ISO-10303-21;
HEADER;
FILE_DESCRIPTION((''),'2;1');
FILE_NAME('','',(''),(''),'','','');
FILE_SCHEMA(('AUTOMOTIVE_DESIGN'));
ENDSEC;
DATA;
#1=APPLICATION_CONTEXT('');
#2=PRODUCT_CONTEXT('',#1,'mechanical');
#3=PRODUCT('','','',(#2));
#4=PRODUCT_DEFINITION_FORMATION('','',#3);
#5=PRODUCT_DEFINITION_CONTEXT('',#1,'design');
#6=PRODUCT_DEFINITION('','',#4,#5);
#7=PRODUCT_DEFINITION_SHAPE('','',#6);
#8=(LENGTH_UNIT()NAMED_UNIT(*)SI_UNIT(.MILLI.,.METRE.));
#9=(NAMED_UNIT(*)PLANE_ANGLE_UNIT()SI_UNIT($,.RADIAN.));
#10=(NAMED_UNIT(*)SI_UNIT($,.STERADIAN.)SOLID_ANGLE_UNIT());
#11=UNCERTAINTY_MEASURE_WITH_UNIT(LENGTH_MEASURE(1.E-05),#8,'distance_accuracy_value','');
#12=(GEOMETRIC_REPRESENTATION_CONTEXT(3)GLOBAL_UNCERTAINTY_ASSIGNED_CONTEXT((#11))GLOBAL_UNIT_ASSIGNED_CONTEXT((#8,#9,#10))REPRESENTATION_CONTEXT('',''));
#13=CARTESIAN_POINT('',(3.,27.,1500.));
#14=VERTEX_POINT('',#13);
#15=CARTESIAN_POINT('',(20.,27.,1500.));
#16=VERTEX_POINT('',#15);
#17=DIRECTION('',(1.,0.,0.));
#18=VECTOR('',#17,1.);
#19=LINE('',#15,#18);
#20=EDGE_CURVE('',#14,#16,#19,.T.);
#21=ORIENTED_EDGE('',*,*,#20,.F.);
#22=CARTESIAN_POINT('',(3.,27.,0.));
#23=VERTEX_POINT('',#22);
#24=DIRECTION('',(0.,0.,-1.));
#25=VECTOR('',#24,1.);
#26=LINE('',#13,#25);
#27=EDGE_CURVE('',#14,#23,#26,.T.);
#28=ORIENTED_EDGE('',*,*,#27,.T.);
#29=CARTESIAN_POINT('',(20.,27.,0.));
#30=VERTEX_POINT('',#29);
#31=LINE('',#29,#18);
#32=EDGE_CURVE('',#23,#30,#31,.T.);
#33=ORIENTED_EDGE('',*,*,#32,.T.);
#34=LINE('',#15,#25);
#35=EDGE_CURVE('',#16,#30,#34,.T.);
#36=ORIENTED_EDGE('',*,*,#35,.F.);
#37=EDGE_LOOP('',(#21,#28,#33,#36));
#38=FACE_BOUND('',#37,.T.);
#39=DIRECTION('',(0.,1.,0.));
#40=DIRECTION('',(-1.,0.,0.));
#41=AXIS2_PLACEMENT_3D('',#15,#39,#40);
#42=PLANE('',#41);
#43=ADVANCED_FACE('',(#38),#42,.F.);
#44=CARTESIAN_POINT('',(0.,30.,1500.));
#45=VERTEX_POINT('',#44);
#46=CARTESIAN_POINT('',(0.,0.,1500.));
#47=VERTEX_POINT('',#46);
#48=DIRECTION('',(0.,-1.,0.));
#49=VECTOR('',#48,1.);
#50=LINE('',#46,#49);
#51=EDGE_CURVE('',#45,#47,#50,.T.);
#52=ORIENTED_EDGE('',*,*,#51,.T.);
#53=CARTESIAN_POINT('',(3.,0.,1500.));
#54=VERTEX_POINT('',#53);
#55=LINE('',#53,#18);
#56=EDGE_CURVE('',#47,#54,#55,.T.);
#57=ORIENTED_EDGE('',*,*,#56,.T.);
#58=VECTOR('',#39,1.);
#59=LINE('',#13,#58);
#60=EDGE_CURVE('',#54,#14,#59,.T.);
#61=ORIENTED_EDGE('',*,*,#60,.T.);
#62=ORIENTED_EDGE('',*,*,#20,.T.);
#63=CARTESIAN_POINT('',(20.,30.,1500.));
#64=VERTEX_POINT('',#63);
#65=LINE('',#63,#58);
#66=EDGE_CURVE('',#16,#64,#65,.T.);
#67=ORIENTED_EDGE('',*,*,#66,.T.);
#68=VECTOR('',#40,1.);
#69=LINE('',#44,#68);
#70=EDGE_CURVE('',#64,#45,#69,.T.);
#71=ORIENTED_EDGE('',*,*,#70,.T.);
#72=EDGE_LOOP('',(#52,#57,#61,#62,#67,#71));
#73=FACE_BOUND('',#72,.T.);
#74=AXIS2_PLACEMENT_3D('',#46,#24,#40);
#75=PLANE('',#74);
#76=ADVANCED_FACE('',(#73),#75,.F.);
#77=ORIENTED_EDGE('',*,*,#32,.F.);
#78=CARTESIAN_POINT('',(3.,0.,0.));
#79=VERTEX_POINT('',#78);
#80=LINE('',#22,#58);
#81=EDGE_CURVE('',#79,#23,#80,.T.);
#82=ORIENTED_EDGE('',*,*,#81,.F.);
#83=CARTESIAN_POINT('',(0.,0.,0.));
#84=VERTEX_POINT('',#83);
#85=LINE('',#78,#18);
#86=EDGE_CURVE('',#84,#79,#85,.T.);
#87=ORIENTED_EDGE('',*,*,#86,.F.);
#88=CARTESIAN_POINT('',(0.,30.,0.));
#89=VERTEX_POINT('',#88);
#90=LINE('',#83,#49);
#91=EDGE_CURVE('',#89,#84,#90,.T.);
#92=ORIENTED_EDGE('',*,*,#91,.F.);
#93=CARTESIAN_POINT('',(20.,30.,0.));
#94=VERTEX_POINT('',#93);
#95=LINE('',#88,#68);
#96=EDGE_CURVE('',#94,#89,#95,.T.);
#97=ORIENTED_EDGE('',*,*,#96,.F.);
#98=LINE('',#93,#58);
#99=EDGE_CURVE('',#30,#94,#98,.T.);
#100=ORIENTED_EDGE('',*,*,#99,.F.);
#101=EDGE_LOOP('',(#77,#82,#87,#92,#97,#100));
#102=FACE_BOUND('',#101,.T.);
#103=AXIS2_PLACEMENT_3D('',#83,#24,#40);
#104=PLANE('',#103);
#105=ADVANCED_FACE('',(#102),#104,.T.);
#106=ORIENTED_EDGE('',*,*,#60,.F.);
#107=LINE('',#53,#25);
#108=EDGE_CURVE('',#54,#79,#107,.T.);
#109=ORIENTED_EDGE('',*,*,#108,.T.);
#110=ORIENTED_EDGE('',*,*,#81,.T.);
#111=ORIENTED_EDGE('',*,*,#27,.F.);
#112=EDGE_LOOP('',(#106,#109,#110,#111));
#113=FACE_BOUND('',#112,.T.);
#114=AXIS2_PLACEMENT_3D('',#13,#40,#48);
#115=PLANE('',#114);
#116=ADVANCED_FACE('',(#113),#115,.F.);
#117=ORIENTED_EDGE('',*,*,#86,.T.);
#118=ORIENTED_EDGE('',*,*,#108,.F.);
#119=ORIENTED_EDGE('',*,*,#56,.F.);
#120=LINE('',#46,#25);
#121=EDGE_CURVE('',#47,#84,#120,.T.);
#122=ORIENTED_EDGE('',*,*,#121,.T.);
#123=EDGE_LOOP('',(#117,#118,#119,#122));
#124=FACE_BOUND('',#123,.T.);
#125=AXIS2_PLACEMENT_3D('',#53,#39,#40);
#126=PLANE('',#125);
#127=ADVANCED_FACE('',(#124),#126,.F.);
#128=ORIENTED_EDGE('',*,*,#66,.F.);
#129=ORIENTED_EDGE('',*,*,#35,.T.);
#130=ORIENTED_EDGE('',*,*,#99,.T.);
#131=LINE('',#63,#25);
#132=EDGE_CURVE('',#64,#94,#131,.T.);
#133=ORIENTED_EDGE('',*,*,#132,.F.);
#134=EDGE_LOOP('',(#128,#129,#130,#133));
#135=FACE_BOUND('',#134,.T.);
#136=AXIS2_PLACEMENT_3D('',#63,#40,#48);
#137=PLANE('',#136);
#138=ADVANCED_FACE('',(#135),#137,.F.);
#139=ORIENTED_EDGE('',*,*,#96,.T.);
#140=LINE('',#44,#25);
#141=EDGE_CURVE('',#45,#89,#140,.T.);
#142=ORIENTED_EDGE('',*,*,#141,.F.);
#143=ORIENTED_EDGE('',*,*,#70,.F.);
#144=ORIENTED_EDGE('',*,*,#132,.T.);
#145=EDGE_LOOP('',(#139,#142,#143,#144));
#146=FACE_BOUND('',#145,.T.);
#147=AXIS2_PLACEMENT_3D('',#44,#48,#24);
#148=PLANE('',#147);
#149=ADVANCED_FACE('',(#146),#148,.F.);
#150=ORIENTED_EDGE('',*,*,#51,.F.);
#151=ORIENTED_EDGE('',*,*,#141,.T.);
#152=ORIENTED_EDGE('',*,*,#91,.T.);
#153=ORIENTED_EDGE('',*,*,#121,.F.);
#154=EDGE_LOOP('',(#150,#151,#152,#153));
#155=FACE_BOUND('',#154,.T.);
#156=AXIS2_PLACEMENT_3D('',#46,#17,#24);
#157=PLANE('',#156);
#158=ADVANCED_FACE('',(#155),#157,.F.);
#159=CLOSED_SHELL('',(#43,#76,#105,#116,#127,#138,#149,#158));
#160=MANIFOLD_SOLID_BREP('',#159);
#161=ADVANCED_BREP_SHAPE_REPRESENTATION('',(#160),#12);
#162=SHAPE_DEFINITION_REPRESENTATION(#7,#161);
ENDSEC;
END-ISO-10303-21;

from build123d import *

# Parameters (mm, degrees)
BOSS_EXTRU_1_DEPTH = 1500


with BuildPart() as part:
    # Esquisse1 → Boss.-Extru.1 (new body)
    with BuildSketch(Plane.XY):
        Polygon((0, 0), (0, 30), (20, 30), (20, 27), (3, 27), (3, 0), align=None)
    extrude(amount=BOSS_EXTRU_1_DEPTH)


solid = part.part
